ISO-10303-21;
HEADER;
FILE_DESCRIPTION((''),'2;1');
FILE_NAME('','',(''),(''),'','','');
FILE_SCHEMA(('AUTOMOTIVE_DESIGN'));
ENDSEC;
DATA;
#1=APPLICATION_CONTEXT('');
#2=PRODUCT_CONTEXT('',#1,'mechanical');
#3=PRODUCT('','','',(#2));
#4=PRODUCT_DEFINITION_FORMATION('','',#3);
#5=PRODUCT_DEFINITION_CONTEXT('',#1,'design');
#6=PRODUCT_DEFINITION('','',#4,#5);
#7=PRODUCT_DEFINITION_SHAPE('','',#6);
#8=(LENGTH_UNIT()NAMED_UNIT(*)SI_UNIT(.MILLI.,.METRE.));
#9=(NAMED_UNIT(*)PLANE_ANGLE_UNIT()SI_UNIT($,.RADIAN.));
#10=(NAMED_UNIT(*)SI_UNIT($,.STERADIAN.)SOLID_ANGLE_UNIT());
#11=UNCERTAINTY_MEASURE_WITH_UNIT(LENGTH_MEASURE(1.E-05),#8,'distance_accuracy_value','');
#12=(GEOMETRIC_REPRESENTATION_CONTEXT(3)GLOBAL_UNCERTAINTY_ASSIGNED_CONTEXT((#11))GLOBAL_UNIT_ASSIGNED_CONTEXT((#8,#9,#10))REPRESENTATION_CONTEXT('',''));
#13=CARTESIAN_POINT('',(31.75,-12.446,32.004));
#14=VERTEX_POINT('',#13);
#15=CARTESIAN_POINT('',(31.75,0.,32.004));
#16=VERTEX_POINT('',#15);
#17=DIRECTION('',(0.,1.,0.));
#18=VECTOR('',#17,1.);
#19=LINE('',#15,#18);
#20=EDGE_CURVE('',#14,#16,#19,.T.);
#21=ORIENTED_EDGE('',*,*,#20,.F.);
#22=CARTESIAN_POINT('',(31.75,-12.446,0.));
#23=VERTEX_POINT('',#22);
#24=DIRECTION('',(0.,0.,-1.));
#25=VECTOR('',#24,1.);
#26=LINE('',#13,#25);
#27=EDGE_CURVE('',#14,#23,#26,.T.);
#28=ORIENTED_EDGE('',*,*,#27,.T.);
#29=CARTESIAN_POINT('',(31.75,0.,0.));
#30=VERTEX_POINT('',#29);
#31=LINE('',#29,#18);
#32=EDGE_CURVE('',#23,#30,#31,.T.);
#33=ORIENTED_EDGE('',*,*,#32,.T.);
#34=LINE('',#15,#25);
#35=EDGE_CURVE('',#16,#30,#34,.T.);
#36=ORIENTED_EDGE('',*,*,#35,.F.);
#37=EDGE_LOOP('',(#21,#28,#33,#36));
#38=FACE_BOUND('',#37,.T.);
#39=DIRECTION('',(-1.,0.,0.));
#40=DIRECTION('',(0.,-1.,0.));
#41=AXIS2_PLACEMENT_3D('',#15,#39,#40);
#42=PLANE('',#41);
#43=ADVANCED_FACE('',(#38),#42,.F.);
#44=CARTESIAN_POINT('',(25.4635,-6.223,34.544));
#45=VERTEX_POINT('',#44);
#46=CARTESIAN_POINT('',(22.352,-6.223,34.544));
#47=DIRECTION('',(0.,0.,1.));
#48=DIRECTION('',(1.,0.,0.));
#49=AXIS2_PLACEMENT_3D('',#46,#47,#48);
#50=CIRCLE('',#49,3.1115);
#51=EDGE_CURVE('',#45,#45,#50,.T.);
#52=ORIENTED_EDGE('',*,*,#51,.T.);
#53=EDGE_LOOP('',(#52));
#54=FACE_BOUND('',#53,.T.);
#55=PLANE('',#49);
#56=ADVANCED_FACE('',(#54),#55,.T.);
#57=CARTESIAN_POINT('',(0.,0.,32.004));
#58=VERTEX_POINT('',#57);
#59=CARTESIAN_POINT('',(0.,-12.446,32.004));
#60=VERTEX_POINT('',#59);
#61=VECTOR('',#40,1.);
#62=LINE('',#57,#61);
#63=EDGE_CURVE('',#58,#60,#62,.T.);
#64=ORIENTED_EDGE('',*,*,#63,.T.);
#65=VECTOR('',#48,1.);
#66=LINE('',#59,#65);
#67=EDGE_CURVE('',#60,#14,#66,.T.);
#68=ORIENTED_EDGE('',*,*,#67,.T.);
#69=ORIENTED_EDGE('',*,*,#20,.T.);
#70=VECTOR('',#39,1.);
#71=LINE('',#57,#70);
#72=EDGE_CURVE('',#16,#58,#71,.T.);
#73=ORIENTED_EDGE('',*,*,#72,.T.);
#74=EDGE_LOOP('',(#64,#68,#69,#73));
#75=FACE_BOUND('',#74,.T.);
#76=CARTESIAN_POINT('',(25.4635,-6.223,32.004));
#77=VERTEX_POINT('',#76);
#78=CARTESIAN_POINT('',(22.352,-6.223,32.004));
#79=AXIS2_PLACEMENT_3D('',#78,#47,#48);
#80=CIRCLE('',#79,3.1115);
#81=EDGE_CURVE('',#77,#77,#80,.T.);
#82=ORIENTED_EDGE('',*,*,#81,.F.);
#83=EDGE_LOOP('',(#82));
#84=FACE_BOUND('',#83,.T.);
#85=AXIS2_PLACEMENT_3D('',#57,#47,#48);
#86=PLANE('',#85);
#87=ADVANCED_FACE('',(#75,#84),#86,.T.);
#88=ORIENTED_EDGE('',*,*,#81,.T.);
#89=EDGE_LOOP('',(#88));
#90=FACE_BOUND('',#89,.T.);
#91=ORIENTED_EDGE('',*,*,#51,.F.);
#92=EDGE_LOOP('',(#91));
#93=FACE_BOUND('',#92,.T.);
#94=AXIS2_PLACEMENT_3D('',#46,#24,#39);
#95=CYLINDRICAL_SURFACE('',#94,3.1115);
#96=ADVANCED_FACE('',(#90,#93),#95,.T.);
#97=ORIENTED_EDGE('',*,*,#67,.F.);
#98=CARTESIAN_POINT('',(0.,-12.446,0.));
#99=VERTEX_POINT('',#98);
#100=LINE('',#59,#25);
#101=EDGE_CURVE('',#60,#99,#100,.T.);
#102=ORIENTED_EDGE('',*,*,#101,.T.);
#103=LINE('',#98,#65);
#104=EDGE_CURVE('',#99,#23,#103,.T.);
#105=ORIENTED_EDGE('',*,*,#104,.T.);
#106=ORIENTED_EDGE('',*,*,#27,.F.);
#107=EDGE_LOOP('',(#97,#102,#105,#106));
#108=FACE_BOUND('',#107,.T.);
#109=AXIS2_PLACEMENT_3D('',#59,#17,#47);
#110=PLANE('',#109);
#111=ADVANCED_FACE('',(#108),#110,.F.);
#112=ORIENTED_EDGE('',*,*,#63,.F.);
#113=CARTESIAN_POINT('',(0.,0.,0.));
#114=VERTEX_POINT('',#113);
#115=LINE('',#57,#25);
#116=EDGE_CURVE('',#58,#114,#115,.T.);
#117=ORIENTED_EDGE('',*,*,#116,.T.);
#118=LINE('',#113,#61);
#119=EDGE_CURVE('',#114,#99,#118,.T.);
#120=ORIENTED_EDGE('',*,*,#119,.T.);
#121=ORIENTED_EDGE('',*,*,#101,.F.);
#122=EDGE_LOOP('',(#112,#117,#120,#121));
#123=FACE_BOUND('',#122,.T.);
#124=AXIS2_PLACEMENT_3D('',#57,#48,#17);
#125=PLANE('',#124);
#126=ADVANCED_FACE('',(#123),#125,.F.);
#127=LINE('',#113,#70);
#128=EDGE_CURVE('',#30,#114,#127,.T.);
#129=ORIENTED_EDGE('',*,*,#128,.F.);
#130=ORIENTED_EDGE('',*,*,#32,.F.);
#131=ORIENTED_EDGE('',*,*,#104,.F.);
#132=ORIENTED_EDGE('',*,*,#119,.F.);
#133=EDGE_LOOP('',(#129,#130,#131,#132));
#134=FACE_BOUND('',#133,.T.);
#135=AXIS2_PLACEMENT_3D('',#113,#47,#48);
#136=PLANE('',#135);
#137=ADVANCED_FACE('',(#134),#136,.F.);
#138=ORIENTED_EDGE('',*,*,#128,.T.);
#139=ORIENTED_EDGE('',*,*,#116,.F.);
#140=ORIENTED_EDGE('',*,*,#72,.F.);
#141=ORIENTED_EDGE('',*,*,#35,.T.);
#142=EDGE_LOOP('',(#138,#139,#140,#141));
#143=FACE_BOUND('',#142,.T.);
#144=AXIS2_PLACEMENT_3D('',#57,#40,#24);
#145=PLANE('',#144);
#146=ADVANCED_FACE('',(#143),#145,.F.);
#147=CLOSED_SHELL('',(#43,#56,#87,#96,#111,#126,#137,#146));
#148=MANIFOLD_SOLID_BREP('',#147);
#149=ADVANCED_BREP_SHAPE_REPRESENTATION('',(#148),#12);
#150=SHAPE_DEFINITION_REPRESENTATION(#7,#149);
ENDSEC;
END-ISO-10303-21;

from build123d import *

# Parameters (mm, degrees)
SKETCH1_W           = 31.75
SKETCH1_H           = 12.446
BOSS_EXTRUDE1_DEPTH = 32.004
SKETCH2_R           = 3.1115
BOSS_EXTRUDE2_DEPTH = 2.54


with BuildPart() as part:
    # Sketch1 → Boss-Extrude1 (new body)
    with BuildSketch(Plane.XY):
        with Locations((15.875, -6.223)):
            Rectangle(SKETCH1_W, SKETCH1_H)
    extrude(amount=BOSS_EXTRUDE1_DEPTH)

    # Sketch2 → Boss-Extrude2 (add)
    with BuildSketch(Plane.XY.offset(32.004)):
        with Locations((22.352, -6.223)):
            Circle(SKETCH2_R)
    extrude(amount=BOSS_EXTRUDE2_DEPTH)


solid = part.part
